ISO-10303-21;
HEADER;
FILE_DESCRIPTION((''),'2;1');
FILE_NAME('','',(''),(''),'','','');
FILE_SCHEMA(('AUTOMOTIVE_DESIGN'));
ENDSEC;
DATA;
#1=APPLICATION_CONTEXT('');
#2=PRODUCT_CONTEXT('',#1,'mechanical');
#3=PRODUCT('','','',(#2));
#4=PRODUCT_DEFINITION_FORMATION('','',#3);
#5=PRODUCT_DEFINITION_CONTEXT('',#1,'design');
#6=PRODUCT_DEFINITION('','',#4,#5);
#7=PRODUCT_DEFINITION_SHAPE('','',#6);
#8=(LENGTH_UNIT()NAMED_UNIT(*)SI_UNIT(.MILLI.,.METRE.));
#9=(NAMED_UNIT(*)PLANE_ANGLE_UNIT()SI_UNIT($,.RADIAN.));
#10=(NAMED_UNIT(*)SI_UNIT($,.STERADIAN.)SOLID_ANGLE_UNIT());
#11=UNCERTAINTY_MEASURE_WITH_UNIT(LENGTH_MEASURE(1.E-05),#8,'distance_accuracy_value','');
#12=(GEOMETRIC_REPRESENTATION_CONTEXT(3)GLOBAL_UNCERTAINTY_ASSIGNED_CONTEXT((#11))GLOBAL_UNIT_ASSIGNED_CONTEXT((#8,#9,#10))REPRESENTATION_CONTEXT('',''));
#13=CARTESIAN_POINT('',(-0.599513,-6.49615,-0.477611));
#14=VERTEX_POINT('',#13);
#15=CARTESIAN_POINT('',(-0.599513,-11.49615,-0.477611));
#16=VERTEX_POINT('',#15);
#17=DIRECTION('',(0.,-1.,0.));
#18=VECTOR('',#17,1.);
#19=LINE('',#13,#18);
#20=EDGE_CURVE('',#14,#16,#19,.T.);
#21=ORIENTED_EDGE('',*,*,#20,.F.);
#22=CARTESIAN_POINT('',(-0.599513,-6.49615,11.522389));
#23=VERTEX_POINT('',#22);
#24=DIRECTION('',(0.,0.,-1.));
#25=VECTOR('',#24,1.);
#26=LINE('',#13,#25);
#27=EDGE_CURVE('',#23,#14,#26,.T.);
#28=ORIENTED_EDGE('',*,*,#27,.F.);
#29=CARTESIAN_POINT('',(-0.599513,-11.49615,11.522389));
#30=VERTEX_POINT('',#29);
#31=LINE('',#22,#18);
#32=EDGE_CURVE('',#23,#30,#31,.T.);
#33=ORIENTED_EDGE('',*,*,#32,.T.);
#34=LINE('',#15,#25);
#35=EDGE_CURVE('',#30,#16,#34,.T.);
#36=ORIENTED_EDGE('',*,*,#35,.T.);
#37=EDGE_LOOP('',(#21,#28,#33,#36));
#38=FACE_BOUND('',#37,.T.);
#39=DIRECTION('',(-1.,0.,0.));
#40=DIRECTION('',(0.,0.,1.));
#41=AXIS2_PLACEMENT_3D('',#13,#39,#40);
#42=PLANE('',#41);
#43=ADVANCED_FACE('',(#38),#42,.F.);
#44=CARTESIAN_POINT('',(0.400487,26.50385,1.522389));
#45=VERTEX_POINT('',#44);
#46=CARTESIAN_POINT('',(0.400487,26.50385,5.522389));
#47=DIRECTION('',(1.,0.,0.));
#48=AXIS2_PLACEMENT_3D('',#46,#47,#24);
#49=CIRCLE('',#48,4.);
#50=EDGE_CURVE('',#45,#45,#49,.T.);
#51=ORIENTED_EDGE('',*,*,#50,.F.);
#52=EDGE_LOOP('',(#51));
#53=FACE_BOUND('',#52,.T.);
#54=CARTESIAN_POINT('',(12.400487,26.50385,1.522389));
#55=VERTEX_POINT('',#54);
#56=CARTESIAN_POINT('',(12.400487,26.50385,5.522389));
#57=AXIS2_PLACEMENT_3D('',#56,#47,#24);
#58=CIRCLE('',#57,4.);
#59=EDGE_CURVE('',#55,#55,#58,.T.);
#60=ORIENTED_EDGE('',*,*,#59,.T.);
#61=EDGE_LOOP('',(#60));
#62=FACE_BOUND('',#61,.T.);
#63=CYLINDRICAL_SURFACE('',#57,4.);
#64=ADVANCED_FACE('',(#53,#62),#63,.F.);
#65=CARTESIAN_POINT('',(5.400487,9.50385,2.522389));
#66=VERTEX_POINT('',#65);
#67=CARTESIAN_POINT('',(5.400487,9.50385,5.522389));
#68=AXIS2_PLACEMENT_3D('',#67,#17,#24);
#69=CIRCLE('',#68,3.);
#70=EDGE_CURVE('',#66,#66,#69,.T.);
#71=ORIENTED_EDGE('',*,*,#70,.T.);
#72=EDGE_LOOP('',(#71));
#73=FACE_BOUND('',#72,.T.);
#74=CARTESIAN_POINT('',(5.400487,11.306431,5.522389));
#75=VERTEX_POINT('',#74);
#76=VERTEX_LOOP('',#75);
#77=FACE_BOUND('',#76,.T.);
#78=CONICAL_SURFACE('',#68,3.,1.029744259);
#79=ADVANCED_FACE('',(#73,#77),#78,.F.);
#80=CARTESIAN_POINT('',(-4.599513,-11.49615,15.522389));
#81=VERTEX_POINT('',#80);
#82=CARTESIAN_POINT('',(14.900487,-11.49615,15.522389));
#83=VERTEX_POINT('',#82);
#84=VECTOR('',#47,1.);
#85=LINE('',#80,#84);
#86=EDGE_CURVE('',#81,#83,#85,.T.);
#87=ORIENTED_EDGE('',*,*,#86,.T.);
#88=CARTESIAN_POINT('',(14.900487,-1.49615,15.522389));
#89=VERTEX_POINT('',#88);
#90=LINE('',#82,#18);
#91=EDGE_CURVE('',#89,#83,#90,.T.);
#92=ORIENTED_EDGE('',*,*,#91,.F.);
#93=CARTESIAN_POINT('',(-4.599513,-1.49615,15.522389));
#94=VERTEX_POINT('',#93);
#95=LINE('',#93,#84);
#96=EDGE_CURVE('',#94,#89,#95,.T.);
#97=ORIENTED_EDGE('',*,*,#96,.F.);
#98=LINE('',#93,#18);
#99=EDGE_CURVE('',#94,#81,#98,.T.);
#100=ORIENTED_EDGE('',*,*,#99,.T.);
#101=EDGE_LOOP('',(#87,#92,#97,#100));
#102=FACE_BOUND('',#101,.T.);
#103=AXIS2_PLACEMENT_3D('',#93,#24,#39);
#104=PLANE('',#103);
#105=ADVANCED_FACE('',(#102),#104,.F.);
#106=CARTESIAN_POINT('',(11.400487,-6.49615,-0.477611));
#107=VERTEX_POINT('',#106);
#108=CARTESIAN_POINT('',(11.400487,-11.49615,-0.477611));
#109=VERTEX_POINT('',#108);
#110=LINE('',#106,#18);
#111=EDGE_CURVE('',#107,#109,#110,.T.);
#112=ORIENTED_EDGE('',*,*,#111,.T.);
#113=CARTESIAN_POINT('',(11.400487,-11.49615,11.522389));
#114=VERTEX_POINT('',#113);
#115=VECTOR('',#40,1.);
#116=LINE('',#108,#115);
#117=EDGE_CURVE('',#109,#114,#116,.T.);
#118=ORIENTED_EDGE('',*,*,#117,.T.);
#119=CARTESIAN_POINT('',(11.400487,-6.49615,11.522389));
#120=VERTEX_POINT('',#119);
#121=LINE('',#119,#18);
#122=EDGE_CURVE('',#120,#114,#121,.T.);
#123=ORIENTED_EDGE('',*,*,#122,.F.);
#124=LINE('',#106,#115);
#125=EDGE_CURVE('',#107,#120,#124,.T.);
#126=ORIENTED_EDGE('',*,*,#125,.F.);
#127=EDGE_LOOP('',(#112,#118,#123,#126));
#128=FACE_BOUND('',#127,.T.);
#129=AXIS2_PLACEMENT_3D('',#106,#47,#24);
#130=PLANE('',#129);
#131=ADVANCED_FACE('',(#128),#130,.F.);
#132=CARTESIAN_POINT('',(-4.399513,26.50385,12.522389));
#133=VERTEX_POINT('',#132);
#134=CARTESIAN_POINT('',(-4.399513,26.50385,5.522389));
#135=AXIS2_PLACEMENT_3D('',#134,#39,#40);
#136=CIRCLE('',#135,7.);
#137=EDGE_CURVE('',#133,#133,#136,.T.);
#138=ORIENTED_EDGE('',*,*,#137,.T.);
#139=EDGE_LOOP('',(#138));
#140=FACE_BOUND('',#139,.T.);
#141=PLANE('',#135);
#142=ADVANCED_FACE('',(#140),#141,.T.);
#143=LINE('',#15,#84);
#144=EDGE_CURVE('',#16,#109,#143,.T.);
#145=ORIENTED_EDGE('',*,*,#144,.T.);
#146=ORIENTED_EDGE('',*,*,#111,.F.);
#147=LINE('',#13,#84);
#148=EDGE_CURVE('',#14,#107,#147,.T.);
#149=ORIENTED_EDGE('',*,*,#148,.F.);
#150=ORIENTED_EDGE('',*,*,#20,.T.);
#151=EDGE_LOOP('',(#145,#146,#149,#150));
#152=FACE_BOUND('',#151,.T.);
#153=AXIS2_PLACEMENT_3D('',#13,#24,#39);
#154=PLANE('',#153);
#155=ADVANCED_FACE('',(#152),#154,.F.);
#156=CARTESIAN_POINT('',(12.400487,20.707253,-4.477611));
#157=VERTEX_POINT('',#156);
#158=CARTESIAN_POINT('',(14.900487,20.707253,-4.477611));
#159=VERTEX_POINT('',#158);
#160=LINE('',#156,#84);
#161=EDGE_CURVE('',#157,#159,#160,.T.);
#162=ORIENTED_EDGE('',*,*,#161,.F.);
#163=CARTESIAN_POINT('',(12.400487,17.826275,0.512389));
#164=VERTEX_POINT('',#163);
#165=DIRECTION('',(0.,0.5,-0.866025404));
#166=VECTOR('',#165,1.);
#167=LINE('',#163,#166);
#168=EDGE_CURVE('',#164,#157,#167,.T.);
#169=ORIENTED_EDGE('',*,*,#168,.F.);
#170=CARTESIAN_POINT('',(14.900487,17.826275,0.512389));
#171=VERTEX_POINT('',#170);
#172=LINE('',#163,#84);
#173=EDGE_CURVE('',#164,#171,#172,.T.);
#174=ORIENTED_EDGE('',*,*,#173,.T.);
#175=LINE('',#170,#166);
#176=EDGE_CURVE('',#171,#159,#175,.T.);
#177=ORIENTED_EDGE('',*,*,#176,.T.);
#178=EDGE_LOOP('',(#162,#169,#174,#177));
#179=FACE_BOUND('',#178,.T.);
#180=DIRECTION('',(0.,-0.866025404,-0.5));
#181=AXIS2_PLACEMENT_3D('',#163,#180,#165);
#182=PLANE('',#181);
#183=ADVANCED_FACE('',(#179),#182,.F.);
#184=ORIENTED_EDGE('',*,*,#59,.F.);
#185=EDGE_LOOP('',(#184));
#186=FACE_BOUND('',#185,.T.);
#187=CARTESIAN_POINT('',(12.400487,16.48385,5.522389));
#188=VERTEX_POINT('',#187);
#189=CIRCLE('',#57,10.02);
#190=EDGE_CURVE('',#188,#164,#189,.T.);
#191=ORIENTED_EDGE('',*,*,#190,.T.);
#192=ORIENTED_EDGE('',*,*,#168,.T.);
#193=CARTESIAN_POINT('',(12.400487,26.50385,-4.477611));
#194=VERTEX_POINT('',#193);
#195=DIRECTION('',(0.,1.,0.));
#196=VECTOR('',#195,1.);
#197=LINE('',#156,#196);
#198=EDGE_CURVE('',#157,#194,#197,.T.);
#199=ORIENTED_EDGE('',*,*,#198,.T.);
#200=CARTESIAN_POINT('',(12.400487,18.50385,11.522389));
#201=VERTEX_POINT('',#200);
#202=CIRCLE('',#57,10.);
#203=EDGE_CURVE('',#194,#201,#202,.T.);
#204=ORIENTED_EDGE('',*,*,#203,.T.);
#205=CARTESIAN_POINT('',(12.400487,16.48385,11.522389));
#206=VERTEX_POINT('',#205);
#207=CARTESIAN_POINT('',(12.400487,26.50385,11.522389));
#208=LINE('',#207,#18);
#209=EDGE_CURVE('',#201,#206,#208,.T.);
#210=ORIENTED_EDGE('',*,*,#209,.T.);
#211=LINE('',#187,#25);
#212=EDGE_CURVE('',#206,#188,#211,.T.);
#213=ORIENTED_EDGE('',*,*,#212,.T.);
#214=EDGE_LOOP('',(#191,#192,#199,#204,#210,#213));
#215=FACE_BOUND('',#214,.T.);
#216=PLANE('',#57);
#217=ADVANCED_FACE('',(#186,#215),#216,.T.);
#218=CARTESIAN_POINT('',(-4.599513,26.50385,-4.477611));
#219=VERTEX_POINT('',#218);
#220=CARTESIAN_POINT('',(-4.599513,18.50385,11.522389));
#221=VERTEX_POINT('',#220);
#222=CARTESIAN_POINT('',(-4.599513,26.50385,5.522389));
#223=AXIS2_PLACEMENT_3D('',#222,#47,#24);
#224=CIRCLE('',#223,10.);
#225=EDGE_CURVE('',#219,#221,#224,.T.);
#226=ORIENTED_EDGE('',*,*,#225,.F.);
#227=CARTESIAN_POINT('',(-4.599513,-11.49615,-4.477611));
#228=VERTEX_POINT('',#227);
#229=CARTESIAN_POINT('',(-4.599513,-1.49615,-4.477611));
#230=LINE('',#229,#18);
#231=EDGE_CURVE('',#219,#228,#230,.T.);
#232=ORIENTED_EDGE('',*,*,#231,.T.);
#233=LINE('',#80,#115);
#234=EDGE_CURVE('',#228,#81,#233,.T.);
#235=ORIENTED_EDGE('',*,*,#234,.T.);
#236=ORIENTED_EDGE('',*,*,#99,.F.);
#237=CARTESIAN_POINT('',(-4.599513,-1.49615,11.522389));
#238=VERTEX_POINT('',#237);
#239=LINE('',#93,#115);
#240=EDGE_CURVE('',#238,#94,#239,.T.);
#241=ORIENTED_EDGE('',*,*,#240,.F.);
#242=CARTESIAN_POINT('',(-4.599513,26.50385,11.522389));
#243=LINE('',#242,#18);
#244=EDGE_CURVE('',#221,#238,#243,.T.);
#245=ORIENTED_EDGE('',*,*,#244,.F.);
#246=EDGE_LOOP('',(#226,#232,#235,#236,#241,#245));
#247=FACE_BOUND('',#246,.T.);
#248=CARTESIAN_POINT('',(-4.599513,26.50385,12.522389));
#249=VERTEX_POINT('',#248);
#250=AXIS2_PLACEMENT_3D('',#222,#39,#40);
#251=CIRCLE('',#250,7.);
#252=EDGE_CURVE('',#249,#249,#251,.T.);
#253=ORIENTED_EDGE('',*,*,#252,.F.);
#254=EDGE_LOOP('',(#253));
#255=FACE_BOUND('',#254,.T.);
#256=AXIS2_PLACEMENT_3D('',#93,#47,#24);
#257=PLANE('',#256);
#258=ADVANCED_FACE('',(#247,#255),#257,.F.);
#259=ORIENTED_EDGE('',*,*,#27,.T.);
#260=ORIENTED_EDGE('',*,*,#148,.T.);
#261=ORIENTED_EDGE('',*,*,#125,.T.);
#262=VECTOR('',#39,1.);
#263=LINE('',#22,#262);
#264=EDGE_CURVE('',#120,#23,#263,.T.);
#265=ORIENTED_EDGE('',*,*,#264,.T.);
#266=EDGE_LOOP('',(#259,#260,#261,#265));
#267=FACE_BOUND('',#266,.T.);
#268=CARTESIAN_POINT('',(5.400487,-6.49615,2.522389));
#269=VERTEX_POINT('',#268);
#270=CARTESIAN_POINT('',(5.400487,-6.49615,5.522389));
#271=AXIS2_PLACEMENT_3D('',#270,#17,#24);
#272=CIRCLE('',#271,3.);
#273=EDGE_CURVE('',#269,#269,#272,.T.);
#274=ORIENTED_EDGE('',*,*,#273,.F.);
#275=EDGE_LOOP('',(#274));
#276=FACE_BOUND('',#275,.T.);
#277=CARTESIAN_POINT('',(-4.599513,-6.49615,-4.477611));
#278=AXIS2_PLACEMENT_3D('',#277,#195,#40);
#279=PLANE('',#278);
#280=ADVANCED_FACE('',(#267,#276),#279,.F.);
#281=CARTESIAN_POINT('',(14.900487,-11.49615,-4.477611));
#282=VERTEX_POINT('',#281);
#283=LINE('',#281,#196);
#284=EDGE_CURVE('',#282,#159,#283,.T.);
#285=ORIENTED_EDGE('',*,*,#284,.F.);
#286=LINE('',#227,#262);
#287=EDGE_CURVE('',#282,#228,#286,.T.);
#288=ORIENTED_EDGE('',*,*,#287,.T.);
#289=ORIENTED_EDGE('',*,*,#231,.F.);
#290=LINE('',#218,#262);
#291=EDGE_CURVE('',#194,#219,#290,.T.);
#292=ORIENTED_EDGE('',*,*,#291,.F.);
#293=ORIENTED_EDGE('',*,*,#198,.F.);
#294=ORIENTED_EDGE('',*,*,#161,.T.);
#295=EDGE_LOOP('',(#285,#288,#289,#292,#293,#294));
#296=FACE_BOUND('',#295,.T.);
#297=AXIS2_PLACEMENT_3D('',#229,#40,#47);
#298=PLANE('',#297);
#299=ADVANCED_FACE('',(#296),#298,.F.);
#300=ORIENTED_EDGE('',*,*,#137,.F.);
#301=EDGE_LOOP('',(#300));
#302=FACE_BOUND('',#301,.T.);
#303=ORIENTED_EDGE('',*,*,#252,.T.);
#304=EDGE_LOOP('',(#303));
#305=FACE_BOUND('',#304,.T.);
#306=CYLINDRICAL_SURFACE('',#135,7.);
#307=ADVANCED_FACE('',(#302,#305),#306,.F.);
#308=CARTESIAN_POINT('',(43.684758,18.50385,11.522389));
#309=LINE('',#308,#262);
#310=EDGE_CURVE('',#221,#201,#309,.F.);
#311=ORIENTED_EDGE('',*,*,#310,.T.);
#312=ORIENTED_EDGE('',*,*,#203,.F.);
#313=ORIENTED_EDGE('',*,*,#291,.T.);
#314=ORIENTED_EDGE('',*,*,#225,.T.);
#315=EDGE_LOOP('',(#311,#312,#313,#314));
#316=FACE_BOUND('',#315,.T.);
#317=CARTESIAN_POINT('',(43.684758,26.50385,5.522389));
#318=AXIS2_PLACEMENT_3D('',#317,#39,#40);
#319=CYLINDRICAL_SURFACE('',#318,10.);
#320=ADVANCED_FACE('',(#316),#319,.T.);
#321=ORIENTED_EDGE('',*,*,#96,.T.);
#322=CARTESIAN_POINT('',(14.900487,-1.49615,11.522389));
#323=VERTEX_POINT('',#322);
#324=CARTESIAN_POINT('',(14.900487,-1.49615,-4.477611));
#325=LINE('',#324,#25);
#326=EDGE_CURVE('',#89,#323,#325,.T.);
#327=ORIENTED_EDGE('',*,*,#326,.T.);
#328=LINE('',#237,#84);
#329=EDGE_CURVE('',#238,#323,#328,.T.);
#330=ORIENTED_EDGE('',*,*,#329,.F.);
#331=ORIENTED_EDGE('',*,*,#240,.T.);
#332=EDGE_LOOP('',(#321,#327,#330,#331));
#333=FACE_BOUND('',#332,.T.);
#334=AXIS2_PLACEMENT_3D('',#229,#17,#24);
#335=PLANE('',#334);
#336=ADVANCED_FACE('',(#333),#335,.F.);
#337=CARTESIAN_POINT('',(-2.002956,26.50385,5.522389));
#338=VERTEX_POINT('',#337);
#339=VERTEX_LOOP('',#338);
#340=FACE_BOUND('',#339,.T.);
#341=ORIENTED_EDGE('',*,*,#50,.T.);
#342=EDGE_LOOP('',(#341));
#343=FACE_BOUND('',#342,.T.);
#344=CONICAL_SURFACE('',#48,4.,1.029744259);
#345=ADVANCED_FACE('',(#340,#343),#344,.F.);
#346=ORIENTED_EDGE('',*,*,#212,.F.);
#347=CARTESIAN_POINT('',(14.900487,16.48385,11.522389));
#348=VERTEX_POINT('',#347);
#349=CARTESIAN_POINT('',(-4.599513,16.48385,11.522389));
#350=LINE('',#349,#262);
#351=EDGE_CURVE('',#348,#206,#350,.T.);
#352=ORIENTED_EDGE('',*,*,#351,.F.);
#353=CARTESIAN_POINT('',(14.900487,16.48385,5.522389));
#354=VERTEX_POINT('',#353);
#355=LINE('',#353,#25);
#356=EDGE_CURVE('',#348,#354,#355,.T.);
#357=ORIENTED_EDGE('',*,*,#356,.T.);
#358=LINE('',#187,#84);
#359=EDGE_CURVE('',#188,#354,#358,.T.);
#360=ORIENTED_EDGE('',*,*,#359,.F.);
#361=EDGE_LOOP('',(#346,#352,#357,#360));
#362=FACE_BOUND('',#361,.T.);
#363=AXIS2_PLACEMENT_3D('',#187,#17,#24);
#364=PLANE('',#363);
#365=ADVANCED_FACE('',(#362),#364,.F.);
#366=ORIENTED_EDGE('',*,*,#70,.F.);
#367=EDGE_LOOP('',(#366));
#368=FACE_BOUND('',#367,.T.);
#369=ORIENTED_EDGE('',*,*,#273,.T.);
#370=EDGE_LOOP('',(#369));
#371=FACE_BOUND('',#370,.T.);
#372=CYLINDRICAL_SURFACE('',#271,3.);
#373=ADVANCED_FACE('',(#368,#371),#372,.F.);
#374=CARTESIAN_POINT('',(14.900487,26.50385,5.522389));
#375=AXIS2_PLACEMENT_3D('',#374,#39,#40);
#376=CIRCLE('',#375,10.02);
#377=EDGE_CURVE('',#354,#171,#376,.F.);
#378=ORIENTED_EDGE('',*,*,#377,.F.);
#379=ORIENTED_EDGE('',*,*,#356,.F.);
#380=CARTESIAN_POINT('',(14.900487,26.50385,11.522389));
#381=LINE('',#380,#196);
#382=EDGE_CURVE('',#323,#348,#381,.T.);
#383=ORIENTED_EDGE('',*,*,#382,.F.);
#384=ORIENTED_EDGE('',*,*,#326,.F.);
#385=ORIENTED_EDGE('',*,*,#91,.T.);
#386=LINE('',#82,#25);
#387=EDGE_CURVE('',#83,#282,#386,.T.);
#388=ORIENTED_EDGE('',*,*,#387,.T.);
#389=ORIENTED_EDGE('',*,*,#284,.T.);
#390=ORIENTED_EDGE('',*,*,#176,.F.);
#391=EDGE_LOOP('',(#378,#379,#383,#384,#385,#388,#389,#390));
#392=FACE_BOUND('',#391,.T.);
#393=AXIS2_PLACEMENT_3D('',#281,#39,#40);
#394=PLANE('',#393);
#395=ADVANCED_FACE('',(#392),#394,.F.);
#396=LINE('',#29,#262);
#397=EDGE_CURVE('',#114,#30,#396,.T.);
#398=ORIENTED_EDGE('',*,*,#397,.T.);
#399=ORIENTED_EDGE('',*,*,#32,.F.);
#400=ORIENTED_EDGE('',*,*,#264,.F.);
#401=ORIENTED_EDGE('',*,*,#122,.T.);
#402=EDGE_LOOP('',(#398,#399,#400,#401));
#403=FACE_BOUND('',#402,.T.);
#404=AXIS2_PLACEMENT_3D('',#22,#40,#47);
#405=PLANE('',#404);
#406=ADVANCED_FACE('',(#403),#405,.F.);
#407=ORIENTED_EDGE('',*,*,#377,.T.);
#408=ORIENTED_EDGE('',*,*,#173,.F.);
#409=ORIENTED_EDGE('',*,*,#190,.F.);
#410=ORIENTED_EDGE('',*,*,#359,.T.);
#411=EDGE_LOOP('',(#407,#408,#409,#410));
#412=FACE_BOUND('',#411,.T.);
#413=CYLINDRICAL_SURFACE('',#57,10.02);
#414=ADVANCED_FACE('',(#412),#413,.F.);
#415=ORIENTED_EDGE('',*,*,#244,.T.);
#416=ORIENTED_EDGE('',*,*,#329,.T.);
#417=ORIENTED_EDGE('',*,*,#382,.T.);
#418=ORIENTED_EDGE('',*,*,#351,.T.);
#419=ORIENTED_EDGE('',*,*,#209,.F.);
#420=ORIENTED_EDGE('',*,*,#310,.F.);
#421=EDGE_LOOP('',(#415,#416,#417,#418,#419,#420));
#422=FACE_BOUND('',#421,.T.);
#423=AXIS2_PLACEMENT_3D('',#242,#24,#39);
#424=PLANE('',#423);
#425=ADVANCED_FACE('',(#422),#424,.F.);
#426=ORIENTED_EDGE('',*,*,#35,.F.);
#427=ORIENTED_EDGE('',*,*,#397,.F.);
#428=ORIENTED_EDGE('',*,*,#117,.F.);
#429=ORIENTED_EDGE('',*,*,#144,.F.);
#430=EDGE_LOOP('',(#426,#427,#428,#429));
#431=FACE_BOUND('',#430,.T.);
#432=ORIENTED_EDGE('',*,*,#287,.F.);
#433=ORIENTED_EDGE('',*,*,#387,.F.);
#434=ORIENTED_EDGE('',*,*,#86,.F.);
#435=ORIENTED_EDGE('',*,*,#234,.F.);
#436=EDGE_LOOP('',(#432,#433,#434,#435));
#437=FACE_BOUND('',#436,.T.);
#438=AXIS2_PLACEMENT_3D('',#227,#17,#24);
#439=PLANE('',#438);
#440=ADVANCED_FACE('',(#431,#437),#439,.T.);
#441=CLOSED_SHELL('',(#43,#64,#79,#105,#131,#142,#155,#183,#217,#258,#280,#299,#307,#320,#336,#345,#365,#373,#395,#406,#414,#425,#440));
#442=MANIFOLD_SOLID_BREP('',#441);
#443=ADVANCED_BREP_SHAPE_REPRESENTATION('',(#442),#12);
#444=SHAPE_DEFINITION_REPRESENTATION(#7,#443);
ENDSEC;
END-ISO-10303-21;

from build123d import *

# Parameters (mm, degrees)
SKETCH1_W                                      = 10
SKETCH1_H                                      = 10
FOOT_DEPTH                                     = 5
SKETCH2_W                                      = 10
SKETCH2_H                                      = 8
LEG_DEPTH                                      = 14
SKETCH3_R                                      = 5
HIP_CONNECTOR_DEPTH                            = 10
SKETCH20_R                                     = 3.5
DECORATIVE_CIRCLE_THAT_MAKES_THIS_EASY_T_DEPTH = 0.1
HIP_ROOM_DEPTH                                 = 1.5
HIP_HOLE_D                                     = 4
HIP_HOLE_DEPTH                                 = 6
HIP_HOLE_TIP                                   = 1.201721238
SKETCH18_W                                     = 6
SKETCH18_H                                     = 6
FOOT_HOLE_DEPTH                                = 2.5
WEIGHT_REDUCTION_MAKE_IT_EASY_TO_ADD_CEN_D     = 3
WEIGHT_REDUCTION_MAKE_IT_EASY_TO_ADD_CEN_DEPTH = 8
WEIGHT_REDUCTION_MAKE_IT_EASY_TO_ADD_CEN_TIP   = 0.901290929
SKETCH19_W                                     = 10
SKETCH19_H                                     = 20
THIGH_GAP_DEPTH                                = 0.25
SCALE1_SCALE                                   = 2


with BuildPart() as part:
    # Sketch1 → Foot (new body)
    with BuildSketch(Plane(origin=(0, 0, 0), x_dir=(1, 0, 0), z_dir=(0, 1, 0))):
        with Locations((5, -5)):
            Rectangle(SKETCH1_W, SKETCH1_H)
    extrude(amount=FOOT_DEPTH)

    # Sketch2 → Leg (add)
    with BuildSketch(Plane(origin=(0, 5, 0), x_dir=(1, 0, 0), z_dir=(0, 1, 0))):
        with Locations((5, -4)):
            Rectangle(SKETCH2_W, SKETCH2_H)
    extrude(amount=LEG_DEPTH)

    # Sketch3 → Hip Connector (add)
    with BuildSketch(Plane(origin=(0, 0, 0), x_dir=(0, 0, -1), z_dir=(1, 0, 0))):
        with Locations((-5, 19)):
            Circle(SKETCH3_R)
    extrude(amount=HIP_CONNECTOR_DEPTH)

    # Sketch20 → Decorative circle that makes this easy to dimension (cut)
    with BuildSketch(Plane.ZY):
        with Locations((5, 19)):
            Circle(SKETCH20_R)
    extrude(amount=-DECORATIVE_CIRCLE_THAT_MAKES_THIS_EASY_T_DEPTH, mode=Mode.SUBTRACT)

    # Sketch4 → Hip room (cut)
    with BuildSketch(Plane(origin=(10, 0, 0), x_dir=(0, 0, -1), z_dir=(1, 0, 0))):
        with BuildLine():
            Line((-5, 13.99), (-10, 13.99))
            Line((-10, 13.99), (-10, 24))
            Line((-10, 24), (0, 24))
            Line((0, 24), (0, 16.101701649))
            Line((0, 16.101701649), (-2.495, 14.661212727))
            ThreePointArc((-2.495, 14.661212727), (-3.703316584, 14.16071161), (-5, 13.99))
        make_face()
    extrude(amount=-HIP_ROOM_DEPTH, mode=Mode.SUBTRACT)

    # Hip hole
    with Locations(Plane(origin=(8.5, 0, 0), x_dir=(0, 0, -1), z_dir=(1, 0, 0))):
        with Locations((-5, 19)):
            Hole(HIP_HOLE_D / 2, depth=HIP_HOLE_DEPTH)
            with Locations((0, 0, -(HIP_HOLE_DEPTH + HIP_HOLE_TIP / 2))):  # 118° drill point
                Cone(0, HIP_HOLE_D / 2, HIP_HOLE_TIP, mode=Mode.SUBTRACT)

    # Sketch18 → Foot hole (cut)
    with BuildSketch(Plane.XZ):
        with Locations((5, 5)):
            Rectangle(SKETCH18_W, SKETCH18_H)
    extrude(amount=-FOOT_HOLE_DEPTH, mode=Mode.SUBTRACT)

    # Weight reduction/make it easy to add centerline hole
    with Locations(Plane(origin=(0, 2.5, 0), x_dir=(-1, 0, 0), z_dir=(0, -1, 0))):
        with Locations((-5, -5)):
            Hole(WEIGHT_REDUCTION_MAKE_IT_EASY_TO_ADD_CEN_D / 2, depth=WEIGHT_REDUCTION_MAKE_IT_EASY_TO_ADD_CEN_DEPTH)
            with Locations((0, 0, -(WEIGHT_REDUCTION_MAKE_IT_EASY_TO_ADD_CEN_DEPTH + WEIGHT_REDUCTION_MAKE_IT_EASY_TO_ADD_CEN_TIP / 2))):  # 118° drill point
                Cone(0, WEIGHT_REDUCTION_MAKE_IT_EASY_TO_ADD_CEN_D / 2, WEIGHT_REDUCTION_MAKE_IT_EASY_TO_ADD_CEN_TIP, mode=Mode.SUBTRACT)

    # Sketch19 → Thigh gap (cut)
    with BuildSketch(Plane(origin=(10, 0, 0), x_dir=(0, 0, -1), z_dir=(1, 0, 0))):
        with Locations((-5, 10)):
            Rectangle(SKETCH19_W, SKETCH19_H)
    extrude(amount=-THIGH_GAP_DEPTH, mode=Mode.SUBTRACT)


with BuildPart() as part_1:
    # Scale1: scaled about (4.599513464, 11.496150449, 4.477610723)
    add(part.part.scale(SCALE1_SCALE).moved(Location((-4.599513464, -11.496150449, -4.477610723))))


solid = part_1.part
